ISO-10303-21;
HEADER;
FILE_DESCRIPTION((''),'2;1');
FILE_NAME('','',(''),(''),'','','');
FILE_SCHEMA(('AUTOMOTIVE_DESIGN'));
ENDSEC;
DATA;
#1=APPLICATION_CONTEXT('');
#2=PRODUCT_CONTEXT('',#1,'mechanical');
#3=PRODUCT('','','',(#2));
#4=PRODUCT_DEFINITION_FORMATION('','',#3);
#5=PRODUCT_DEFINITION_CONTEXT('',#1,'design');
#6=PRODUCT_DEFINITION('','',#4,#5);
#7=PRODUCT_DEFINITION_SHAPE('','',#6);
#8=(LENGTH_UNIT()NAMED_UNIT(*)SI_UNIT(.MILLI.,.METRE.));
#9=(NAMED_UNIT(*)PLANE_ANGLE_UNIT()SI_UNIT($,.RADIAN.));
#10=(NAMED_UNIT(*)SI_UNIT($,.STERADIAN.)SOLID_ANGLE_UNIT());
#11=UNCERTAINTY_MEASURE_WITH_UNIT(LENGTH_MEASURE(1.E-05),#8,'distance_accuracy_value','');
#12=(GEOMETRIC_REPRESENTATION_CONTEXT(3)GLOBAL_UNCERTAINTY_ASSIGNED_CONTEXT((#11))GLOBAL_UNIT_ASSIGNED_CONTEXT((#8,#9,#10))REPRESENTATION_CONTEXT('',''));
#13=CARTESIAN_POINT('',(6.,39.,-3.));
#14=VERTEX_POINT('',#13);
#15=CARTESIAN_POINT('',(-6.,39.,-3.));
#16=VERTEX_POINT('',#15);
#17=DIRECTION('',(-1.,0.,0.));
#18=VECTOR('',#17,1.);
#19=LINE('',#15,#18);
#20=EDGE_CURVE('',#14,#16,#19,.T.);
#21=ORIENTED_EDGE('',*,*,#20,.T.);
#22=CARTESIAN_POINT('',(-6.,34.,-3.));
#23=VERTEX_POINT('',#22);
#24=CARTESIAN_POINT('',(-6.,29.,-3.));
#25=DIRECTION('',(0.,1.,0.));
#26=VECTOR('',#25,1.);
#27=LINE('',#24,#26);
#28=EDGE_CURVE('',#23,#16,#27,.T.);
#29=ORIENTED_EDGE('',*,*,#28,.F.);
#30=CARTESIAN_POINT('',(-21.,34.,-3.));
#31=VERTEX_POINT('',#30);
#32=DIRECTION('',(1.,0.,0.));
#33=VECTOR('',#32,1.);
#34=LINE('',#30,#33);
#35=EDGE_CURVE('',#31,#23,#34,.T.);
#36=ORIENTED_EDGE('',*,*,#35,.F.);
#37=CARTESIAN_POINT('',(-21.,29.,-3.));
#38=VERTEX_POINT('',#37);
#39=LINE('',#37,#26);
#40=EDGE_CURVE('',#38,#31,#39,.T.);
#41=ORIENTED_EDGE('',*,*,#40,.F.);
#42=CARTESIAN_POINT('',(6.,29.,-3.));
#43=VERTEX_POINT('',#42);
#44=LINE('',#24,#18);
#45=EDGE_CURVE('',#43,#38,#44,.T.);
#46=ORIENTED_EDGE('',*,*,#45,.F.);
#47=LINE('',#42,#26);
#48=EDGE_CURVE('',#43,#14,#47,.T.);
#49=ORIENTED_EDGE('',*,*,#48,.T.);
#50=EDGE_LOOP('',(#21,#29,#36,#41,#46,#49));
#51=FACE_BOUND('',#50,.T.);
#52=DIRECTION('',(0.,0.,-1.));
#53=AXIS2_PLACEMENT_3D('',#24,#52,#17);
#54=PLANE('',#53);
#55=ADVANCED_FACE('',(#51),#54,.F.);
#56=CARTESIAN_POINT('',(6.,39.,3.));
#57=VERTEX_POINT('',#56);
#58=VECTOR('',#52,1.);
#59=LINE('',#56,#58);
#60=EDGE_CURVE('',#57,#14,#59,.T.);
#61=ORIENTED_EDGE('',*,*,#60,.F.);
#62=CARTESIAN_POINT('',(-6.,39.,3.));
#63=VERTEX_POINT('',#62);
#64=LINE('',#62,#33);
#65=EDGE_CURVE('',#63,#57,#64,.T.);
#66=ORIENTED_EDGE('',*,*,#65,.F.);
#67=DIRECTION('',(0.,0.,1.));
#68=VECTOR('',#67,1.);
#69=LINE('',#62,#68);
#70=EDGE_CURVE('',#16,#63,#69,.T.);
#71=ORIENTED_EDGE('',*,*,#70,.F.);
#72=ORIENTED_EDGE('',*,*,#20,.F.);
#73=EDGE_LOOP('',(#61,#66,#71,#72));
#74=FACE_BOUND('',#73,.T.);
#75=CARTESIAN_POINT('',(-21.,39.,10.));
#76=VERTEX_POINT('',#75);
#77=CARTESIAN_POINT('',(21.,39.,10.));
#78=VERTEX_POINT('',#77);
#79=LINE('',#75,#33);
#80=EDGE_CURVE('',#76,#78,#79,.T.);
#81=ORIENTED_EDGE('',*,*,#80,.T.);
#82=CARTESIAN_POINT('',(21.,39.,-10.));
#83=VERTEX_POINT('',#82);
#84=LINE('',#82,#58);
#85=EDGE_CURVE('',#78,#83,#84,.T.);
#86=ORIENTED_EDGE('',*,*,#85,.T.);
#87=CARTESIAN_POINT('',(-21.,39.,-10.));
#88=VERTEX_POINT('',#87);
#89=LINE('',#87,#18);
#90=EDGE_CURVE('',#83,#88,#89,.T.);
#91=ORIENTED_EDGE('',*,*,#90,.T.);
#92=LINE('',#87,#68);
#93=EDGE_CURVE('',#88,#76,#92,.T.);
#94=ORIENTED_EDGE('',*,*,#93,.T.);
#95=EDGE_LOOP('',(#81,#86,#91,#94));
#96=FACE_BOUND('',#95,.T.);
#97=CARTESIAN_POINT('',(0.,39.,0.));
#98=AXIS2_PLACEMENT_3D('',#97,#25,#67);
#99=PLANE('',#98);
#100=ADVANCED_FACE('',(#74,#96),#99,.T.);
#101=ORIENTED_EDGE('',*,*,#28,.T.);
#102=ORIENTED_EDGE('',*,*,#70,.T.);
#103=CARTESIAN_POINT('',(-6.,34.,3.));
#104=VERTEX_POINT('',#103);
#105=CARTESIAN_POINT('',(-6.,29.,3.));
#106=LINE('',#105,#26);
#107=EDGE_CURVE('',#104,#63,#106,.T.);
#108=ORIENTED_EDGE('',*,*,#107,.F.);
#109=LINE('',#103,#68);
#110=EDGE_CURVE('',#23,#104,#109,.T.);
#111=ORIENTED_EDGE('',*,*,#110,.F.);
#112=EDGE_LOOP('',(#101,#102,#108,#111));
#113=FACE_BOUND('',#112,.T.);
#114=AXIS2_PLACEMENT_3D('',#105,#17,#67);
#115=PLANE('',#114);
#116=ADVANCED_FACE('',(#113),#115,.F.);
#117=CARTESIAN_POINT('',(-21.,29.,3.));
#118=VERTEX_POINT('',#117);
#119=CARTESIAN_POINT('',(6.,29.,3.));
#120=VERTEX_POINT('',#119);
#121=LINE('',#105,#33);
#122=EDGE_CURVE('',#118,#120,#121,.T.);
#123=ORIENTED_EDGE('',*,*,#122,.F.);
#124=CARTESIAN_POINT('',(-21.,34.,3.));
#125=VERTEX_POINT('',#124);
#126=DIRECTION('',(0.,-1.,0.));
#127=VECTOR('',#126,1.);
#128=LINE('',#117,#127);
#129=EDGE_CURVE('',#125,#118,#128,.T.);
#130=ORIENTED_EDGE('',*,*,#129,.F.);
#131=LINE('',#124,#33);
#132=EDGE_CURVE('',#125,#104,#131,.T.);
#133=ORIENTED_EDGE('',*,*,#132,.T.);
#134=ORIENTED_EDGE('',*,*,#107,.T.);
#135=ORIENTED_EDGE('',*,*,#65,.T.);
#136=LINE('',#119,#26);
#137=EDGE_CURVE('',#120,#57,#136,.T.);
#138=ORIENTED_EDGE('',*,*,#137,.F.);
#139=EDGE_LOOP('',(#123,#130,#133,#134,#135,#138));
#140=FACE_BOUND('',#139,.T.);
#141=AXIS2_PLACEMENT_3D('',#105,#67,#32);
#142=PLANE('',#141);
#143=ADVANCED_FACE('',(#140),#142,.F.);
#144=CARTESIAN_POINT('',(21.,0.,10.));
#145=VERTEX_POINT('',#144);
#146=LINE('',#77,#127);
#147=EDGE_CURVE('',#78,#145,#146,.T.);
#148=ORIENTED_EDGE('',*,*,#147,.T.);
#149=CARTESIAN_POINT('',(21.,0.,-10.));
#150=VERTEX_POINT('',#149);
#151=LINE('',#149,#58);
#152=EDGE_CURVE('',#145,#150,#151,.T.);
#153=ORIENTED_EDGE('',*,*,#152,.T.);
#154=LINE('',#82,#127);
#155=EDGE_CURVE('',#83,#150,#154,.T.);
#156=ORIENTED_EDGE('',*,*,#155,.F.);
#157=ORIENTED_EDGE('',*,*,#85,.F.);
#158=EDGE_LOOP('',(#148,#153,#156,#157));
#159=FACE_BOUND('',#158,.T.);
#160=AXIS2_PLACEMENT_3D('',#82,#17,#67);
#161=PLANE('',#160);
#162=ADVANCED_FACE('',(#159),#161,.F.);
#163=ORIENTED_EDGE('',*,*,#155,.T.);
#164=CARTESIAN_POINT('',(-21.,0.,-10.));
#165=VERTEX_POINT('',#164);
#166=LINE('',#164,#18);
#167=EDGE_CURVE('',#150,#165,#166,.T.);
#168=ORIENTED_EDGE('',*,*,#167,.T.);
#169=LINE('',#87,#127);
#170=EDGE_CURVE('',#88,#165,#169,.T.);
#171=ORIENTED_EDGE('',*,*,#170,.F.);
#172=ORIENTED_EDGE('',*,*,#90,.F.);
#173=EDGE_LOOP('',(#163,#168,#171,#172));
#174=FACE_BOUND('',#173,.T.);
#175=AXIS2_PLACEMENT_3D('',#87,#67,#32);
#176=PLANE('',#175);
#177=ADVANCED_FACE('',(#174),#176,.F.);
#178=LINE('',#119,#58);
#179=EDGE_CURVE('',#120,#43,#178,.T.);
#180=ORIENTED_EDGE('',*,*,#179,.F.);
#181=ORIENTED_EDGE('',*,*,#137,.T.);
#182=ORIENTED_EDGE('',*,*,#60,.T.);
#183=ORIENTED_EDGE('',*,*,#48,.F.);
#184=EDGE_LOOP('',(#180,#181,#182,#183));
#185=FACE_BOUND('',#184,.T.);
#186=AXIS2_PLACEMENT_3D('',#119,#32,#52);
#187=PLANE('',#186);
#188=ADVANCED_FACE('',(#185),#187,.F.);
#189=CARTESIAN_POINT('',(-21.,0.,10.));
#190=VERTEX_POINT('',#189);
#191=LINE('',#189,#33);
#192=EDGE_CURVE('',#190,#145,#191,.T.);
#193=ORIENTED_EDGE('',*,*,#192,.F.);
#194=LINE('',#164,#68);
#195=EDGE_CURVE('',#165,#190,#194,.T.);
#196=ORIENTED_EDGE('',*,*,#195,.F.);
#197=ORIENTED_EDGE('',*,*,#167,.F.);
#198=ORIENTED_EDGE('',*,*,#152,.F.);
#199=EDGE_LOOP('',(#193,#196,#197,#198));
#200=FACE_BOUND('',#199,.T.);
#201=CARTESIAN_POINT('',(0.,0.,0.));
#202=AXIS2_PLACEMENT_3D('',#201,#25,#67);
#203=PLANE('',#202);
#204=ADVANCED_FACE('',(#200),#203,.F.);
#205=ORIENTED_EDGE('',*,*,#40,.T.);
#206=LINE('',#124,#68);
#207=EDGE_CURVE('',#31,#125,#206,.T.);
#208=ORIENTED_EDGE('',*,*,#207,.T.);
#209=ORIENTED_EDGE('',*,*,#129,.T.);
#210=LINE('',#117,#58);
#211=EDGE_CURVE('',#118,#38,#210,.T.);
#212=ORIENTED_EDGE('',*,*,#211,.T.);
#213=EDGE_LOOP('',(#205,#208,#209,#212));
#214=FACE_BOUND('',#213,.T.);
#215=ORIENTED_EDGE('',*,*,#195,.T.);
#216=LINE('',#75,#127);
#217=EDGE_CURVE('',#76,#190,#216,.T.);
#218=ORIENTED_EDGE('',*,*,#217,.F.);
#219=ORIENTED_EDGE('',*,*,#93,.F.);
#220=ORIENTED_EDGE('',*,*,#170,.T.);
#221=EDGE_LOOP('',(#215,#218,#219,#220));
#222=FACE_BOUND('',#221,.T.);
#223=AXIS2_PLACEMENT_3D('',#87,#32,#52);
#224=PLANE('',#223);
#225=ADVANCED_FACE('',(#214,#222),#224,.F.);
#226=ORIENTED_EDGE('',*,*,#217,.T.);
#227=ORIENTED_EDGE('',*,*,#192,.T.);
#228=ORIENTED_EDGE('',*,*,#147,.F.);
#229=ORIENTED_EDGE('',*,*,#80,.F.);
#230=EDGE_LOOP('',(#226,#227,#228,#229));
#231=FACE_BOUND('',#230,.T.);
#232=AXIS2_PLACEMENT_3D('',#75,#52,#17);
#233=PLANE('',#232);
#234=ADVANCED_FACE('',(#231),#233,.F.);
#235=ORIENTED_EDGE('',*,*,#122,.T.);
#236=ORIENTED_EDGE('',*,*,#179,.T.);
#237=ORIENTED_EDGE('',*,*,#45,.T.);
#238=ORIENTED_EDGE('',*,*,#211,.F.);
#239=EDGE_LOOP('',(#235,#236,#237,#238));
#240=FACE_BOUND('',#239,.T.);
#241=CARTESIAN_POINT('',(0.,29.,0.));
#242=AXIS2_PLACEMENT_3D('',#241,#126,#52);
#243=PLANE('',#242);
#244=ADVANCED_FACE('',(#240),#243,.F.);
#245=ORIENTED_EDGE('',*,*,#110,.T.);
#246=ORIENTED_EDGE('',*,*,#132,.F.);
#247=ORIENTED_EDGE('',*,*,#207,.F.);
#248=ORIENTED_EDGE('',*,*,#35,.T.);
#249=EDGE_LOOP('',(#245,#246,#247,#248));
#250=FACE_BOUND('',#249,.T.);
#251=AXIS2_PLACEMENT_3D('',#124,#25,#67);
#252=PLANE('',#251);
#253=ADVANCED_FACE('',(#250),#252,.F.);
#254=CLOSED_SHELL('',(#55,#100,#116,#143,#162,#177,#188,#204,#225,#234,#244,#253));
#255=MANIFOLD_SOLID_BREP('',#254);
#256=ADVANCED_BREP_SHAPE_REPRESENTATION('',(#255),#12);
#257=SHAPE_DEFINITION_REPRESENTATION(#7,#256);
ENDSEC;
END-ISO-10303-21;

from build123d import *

# Parameters (mm, degrees)
ESQUISSE1_W             = 42
ESQUISSE1_H             = 20
BOSS_EXTRU_1_DEPTH      = 39
ESQUISSE2_W             = 12
ESQUISSE2_H             = 6
ENL_V_MAT_EXTRU_1_DEPTH = 10
ESQUISSE3_W             = 6
ESQUISSE3_H             = 5
ENL_V_MAT_EXTRU_2_DEPTH = 49.476798574


with BuildPart() as part:
    # Esquisse1 → Boss.-Extru.1 (new body)
    with BuildSketch(Plane(origin=(0, 0, 0), x_dir=(1, 0, 0), z_dir=(0, 1, 0))):
        Rectangle(ESQUISSE1_W, ESQUISSE1_H)
    extrude(amount=BOSS_EXTRU_1_DEPTH)

    # Esquisse2 → Enlèv. mat.-Extru.1 (cut)
    with BuildSketch(Plane(origin=(0, 39, 0), x_dir=(1, 0, 0), z_dir=(0, 1, 0))):
        Rectangle(ESQUISSE2_W, ESQUISSE2_H)
    extrude(amount=-ENL_V_MAT_EXTRU_1_DEPTH, mode=Mode.SUBTRACT)

    # Esquisse3 → Enlèv. mat.-Extru.2 (cut, through all)
    with BuildSketch(Plane(origin=(-6, 0, 0), x_dir=(0, 0, -1), z_dir=(1, 0, 0))):
        with Locations((0, 31.5)):
            Rectangle(ESQUISSE3_W, ESQUISSE3_H)
    extrude(amount=-ENL_V_MAT_EXTRU_2_DEPTH, mode=Mode.SUBTRACT)


solid = part.part
